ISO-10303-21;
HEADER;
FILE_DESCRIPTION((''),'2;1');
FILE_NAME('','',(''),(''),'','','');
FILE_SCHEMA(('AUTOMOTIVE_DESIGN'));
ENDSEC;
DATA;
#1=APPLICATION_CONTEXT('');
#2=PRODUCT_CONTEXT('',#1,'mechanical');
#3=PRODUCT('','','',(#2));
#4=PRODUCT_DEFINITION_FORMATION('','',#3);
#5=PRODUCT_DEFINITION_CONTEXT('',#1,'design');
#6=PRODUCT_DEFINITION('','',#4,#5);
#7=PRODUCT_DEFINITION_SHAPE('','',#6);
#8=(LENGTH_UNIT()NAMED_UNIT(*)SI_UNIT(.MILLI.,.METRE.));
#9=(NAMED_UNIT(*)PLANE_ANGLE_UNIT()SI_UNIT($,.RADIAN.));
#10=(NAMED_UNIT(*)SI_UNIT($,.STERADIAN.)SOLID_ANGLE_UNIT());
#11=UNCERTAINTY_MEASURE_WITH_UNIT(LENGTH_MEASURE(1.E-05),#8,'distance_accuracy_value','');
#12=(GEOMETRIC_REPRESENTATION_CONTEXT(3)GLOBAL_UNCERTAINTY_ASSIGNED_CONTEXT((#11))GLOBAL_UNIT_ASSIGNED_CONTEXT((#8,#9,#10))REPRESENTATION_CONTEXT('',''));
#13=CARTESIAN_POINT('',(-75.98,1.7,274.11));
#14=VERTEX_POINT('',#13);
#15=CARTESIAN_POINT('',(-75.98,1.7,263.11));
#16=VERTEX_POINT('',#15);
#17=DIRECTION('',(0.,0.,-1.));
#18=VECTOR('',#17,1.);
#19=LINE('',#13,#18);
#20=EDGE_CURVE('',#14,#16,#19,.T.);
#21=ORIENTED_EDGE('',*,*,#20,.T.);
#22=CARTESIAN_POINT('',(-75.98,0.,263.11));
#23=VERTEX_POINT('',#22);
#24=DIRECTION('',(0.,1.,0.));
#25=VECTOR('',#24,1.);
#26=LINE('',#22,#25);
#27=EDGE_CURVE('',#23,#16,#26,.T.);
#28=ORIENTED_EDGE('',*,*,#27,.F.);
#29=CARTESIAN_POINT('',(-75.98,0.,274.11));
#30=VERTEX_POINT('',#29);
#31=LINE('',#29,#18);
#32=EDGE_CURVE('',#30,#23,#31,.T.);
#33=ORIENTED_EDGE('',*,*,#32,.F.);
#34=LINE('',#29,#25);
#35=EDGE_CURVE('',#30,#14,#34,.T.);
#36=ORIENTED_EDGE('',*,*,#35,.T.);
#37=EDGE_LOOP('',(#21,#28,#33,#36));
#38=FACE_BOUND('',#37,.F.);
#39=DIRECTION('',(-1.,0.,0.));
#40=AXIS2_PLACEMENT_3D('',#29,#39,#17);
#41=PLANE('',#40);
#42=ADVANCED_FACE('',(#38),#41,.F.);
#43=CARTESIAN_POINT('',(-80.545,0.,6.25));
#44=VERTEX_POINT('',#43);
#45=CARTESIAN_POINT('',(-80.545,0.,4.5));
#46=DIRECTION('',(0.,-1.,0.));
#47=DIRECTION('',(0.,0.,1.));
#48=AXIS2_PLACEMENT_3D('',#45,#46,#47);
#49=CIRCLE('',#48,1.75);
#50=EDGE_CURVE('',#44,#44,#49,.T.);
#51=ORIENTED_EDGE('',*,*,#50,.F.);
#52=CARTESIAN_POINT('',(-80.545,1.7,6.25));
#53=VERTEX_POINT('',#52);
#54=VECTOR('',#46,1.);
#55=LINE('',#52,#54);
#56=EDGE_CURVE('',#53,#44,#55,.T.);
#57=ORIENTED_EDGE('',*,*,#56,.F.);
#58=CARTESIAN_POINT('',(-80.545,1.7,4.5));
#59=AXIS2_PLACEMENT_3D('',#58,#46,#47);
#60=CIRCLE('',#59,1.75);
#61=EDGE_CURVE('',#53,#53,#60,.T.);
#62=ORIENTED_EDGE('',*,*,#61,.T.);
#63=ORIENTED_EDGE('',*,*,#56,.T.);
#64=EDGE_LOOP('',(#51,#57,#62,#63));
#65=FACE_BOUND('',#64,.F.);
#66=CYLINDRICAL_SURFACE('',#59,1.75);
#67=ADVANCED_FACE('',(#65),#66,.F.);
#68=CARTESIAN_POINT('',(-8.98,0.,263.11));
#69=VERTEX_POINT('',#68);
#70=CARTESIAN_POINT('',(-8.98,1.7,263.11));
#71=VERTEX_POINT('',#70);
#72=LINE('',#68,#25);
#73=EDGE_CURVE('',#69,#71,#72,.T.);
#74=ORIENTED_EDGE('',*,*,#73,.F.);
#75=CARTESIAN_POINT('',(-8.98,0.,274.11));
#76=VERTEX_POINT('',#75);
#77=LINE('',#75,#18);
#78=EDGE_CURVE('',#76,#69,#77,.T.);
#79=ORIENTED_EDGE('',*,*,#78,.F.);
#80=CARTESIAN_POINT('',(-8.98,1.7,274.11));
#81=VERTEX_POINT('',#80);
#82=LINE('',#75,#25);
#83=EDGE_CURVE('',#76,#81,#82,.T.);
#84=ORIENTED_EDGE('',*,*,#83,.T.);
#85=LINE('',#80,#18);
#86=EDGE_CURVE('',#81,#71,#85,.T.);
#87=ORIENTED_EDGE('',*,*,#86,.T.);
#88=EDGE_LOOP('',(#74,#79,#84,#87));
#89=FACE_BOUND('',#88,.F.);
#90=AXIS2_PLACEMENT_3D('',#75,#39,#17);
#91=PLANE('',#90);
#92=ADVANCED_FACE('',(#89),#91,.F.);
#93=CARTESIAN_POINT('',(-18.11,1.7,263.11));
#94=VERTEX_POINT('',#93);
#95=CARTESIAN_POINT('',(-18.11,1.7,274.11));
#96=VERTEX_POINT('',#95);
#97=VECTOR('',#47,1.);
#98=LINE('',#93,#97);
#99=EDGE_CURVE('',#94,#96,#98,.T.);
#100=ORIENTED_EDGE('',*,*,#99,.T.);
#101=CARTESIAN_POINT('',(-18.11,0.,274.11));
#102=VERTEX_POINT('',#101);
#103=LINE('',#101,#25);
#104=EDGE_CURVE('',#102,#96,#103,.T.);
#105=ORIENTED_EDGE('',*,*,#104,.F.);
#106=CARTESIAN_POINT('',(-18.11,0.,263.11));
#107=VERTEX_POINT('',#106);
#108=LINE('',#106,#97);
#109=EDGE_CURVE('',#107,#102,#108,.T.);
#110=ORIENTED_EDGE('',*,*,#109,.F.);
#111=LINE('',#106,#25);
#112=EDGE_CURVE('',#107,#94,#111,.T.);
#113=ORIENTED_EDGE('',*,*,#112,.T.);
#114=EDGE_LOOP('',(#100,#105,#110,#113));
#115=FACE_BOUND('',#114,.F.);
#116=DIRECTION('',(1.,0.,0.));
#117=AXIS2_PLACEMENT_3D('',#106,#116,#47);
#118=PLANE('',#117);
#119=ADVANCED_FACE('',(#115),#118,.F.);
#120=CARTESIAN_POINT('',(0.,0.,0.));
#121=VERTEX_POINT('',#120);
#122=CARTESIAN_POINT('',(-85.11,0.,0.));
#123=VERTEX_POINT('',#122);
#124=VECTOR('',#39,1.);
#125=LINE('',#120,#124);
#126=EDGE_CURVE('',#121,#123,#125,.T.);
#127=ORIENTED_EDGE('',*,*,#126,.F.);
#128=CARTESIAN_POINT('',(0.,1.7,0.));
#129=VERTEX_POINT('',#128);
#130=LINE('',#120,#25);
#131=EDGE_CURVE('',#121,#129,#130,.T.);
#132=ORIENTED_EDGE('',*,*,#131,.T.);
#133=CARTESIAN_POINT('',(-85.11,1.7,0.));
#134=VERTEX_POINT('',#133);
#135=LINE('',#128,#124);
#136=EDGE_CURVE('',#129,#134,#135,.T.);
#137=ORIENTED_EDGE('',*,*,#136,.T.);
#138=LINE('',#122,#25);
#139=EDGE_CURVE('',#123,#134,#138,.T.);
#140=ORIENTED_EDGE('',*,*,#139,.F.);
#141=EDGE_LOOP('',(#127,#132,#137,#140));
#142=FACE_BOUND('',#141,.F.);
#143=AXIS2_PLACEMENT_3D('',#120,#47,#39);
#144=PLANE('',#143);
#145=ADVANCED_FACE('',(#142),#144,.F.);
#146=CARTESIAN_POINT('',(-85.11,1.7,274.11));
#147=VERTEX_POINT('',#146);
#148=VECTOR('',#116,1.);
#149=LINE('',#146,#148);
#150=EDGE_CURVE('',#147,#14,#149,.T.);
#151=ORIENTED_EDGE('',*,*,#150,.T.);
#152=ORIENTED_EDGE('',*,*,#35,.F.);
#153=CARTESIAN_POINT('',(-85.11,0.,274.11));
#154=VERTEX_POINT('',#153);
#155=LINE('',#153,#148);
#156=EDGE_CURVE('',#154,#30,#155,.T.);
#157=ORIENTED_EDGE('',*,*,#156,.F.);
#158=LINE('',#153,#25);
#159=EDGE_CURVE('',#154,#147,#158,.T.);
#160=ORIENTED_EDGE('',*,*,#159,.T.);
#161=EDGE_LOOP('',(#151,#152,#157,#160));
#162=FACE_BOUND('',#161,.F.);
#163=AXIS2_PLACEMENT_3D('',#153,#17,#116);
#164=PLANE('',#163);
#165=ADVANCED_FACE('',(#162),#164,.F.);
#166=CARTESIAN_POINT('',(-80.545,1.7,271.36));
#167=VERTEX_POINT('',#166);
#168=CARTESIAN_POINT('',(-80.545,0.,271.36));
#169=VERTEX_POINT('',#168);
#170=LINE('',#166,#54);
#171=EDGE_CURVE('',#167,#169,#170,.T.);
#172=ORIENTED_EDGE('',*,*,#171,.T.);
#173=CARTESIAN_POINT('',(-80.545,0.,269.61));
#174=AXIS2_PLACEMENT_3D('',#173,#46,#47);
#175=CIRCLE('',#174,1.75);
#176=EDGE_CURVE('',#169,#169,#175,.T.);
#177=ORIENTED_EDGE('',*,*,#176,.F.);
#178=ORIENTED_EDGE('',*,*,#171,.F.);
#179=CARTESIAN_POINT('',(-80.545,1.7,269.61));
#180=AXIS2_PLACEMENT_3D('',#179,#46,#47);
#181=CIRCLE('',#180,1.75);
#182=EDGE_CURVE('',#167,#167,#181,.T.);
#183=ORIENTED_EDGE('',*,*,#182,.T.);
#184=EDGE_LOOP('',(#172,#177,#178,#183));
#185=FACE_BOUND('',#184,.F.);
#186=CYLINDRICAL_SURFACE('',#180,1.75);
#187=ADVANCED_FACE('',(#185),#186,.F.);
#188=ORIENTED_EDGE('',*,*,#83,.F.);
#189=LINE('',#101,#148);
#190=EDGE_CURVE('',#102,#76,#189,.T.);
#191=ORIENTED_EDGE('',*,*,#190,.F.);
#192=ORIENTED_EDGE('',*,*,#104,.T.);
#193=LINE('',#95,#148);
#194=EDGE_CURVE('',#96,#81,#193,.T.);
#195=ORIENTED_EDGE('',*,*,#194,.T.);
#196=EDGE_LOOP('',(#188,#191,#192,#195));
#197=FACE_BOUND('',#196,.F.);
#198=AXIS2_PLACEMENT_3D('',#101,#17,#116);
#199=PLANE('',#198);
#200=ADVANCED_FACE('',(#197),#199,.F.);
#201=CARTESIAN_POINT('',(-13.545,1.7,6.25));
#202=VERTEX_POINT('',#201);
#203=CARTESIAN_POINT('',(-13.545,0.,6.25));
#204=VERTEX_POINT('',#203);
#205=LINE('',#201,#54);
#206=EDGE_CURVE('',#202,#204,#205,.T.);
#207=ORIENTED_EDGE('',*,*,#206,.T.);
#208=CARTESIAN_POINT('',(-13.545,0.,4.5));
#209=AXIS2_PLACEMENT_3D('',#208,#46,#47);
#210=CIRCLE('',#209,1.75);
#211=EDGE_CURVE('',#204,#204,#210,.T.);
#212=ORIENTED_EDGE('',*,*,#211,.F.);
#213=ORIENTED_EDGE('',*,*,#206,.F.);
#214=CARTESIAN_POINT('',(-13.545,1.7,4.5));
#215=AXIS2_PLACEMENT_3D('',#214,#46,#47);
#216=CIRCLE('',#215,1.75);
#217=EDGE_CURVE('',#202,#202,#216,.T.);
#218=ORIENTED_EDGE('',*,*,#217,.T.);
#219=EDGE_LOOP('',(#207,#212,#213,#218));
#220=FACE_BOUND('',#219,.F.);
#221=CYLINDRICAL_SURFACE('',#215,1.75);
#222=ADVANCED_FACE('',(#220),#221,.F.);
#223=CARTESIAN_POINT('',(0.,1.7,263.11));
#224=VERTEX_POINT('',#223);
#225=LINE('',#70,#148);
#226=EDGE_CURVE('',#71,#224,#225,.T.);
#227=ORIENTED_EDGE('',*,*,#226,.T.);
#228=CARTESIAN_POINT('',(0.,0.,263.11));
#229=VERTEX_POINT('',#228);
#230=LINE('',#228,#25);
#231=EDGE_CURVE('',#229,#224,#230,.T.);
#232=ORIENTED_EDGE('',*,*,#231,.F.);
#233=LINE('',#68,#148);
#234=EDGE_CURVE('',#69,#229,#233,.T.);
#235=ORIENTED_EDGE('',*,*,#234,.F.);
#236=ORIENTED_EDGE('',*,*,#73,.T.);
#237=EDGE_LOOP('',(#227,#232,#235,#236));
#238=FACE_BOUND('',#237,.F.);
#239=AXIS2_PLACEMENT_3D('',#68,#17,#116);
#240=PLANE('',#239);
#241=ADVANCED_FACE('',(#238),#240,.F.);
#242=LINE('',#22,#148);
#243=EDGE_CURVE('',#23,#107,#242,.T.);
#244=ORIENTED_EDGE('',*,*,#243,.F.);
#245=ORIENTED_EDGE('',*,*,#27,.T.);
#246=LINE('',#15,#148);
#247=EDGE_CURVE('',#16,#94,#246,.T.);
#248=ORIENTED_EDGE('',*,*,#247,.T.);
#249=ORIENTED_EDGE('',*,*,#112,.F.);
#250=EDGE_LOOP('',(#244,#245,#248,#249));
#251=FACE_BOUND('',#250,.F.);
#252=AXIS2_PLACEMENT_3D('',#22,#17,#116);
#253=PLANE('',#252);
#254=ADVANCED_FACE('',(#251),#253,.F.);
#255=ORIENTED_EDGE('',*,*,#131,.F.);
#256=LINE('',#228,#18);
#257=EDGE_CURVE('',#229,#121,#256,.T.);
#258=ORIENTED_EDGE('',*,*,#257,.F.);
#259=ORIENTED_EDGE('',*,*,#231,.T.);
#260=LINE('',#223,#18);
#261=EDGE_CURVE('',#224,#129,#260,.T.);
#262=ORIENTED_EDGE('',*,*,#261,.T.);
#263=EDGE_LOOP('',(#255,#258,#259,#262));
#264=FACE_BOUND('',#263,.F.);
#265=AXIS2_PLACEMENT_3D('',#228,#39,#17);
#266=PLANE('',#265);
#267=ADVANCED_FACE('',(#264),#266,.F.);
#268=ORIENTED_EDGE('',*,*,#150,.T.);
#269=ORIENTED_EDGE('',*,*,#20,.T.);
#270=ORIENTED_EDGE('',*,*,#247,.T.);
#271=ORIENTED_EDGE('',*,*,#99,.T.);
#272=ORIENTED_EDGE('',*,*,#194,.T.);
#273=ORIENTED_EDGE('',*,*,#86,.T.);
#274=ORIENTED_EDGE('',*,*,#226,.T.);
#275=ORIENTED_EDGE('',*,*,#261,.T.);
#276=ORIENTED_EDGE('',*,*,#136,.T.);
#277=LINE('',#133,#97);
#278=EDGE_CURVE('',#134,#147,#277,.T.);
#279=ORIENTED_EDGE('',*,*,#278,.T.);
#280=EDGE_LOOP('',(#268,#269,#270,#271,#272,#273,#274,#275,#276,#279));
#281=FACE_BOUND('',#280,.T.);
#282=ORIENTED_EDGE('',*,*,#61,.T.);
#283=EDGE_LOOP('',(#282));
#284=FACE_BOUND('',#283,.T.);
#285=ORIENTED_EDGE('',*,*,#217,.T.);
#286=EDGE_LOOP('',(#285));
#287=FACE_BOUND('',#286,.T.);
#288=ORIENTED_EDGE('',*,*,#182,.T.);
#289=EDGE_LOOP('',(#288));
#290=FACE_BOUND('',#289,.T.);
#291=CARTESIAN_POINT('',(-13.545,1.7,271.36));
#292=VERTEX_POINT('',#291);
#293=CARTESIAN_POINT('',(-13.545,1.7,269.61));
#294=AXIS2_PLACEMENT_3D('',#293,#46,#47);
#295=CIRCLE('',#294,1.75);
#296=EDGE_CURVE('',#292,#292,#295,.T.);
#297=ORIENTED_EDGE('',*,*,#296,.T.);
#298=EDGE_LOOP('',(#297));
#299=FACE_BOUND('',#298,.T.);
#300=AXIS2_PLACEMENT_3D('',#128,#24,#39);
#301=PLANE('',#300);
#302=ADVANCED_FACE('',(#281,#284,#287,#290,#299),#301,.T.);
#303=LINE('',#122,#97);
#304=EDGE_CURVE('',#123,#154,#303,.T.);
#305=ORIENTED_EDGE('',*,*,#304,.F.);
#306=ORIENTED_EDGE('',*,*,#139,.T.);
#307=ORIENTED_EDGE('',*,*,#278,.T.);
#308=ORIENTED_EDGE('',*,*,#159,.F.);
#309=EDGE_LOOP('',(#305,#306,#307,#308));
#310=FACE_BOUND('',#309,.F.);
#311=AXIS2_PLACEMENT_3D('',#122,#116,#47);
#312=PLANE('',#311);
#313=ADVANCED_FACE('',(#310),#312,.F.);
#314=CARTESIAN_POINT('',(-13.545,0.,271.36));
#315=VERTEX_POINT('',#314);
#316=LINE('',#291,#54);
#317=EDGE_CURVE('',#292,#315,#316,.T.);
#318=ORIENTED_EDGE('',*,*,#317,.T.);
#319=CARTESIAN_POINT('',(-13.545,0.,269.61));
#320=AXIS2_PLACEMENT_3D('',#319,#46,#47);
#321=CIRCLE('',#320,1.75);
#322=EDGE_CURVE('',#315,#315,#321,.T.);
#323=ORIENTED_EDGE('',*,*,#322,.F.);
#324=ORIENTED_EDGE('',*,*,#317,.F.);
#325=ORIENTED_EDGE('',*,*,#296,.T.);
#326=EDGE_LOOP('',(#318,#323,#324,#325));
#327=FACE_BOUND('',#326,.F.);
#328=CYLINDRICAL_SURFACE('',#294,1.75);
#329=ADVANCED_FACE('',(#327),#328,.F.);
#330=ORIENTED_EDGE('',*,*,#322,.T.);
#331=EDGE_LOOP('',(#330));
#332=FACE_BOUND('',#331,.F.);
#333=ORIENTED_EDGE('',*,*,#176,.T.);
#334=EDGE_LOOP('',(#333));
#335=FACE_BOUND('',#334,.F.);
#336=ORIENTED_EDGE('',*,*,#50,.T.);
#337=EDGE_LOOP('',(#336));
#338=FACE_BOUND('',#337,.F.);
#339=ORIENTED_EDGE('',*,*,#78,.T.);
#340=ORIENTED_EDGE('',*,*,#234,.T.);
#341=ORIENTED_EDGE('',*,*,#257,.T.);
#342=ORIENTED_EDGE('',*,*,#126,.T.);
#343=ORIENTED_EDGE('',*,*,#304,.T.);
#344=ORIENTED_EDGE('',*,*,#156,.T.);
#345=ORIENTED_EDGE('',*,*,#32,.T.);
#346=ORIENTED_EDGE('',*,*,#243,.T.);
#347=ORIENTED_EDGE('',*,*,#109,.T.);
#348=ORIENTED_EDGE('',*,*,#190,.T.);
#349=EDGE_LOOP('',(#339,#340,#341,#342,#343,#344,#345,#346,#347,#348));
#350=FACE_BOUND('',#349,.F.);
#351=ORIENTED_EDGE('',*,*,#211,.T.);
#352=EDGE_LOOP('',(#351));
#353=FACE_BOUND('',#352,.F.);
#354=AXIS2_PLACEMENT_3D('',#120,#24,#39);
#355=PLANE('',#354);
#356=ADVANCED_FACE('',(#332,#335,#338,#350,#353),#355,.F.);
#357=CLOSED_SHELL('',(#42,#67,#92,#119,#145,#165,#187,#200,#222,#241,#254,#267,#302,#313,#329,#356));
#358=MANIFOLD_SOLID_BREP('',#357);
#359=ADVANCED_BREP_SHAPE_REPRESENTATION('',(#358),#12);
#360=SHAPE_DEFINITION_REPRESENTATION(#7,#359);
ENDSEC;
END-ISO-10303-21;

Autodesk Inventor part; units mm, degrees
ref_plane "YZ Plane" through (0, 0, 0) normal (1, 0, 0) x (0, 1, 0)
ref_plane "XZ Plane" through (0, 0, 0) normal (0, 1, 0) x (-1, 0, 0)
ref_plane "XY Plane" through (0, 0, 0) normal (0, 0, 1) x (1, 0, 0)
sketch "Szkic1" plane through (0, 0, 0) normal (0, 1, 0) x (-1, 0, 0)
  line L0 (0, 0) -> (85.11, 0)
  line L1 (85.11, 0) -> (85.11, 274.11)
  line L2 (85.11, 274.11) -> (75.98, 274.11)
  line L3 (75.98, 274.11) -> (75.98, 263.11)
  line L4 (75.98, 263.11) -> (18.11, 263.11)
  line L5 (18.11, 263.11) -> (18.11, 274.11)
  line L6 (18.11, 274.11) -> (8.98, 274.11)
  line L7 (8.98, 274.11) -> (8.98, 263.11)
  line L8 (8.98, 263.11) -> (0, 263.11)
  line L9 (0, 263.11) -> (0, 0)
  point P0 (80.545, 274.11)
  point P1 (13.545, 274.11)
  dimension "d0" = 274.11
  dimension "d1" = 85.11
  dimension "d2" = 11
  dimension "d3" = 9.13
  dimension "d4" = 9.13
  dimension "d5" = 67
extrude "Wyciągnięcie proste1" add sketch "Szkic1" along normal blind 1.7
sketch "Sketch2" plane through (0, 1.7, 0) normal (0, 1, 0) x (1, 0, 0)
  line L0 (-80.545, -269.61) -> (-13.545, -269.61) construction
  line L1 (-13.545, -269.61) -> (-13.545, -4.5) construction
  line L2 (-13.545, -4.5) -> (-80.545, -4.5) construction
  line L3 (-80.545, -4.5) -> (-80.545, -269.61) construction
  line L4 (-85.11, -274.11) -> (-75.98, -274.11) projected
  line L5 (0, 0) -> (-85.11, 0) projected
  line L6 (-75.98, -274.11) -> (-75.98, -263.11) projected
  line L7 (-85.11, 0) -> (-85.11, -274.11) projected
  line L8 (-8.98, -274.11) -> (-8.98, -263.11) projected
  dimension "d15" = 4.5
  dimension "d16" = 4.5
  dimension "d18" = 9.13
  dimension "d19" = 4.565
  dimension "d20" = 4.565
hole "Hole1" at (-80.545, 1.7, 269.61) at (-13.545, 1.7, 269.61) at (-13.545, 1.7, 4.5) at (-80.545, 1.7, 4.5) direction (0, -1, 0) diameter 3.5 depth 1.7
equation "\"d4\" = d3"
equation "\"d19\" = 0.5 * d18"
equation "\"d20\" = d19"
properties part number "pcb"
